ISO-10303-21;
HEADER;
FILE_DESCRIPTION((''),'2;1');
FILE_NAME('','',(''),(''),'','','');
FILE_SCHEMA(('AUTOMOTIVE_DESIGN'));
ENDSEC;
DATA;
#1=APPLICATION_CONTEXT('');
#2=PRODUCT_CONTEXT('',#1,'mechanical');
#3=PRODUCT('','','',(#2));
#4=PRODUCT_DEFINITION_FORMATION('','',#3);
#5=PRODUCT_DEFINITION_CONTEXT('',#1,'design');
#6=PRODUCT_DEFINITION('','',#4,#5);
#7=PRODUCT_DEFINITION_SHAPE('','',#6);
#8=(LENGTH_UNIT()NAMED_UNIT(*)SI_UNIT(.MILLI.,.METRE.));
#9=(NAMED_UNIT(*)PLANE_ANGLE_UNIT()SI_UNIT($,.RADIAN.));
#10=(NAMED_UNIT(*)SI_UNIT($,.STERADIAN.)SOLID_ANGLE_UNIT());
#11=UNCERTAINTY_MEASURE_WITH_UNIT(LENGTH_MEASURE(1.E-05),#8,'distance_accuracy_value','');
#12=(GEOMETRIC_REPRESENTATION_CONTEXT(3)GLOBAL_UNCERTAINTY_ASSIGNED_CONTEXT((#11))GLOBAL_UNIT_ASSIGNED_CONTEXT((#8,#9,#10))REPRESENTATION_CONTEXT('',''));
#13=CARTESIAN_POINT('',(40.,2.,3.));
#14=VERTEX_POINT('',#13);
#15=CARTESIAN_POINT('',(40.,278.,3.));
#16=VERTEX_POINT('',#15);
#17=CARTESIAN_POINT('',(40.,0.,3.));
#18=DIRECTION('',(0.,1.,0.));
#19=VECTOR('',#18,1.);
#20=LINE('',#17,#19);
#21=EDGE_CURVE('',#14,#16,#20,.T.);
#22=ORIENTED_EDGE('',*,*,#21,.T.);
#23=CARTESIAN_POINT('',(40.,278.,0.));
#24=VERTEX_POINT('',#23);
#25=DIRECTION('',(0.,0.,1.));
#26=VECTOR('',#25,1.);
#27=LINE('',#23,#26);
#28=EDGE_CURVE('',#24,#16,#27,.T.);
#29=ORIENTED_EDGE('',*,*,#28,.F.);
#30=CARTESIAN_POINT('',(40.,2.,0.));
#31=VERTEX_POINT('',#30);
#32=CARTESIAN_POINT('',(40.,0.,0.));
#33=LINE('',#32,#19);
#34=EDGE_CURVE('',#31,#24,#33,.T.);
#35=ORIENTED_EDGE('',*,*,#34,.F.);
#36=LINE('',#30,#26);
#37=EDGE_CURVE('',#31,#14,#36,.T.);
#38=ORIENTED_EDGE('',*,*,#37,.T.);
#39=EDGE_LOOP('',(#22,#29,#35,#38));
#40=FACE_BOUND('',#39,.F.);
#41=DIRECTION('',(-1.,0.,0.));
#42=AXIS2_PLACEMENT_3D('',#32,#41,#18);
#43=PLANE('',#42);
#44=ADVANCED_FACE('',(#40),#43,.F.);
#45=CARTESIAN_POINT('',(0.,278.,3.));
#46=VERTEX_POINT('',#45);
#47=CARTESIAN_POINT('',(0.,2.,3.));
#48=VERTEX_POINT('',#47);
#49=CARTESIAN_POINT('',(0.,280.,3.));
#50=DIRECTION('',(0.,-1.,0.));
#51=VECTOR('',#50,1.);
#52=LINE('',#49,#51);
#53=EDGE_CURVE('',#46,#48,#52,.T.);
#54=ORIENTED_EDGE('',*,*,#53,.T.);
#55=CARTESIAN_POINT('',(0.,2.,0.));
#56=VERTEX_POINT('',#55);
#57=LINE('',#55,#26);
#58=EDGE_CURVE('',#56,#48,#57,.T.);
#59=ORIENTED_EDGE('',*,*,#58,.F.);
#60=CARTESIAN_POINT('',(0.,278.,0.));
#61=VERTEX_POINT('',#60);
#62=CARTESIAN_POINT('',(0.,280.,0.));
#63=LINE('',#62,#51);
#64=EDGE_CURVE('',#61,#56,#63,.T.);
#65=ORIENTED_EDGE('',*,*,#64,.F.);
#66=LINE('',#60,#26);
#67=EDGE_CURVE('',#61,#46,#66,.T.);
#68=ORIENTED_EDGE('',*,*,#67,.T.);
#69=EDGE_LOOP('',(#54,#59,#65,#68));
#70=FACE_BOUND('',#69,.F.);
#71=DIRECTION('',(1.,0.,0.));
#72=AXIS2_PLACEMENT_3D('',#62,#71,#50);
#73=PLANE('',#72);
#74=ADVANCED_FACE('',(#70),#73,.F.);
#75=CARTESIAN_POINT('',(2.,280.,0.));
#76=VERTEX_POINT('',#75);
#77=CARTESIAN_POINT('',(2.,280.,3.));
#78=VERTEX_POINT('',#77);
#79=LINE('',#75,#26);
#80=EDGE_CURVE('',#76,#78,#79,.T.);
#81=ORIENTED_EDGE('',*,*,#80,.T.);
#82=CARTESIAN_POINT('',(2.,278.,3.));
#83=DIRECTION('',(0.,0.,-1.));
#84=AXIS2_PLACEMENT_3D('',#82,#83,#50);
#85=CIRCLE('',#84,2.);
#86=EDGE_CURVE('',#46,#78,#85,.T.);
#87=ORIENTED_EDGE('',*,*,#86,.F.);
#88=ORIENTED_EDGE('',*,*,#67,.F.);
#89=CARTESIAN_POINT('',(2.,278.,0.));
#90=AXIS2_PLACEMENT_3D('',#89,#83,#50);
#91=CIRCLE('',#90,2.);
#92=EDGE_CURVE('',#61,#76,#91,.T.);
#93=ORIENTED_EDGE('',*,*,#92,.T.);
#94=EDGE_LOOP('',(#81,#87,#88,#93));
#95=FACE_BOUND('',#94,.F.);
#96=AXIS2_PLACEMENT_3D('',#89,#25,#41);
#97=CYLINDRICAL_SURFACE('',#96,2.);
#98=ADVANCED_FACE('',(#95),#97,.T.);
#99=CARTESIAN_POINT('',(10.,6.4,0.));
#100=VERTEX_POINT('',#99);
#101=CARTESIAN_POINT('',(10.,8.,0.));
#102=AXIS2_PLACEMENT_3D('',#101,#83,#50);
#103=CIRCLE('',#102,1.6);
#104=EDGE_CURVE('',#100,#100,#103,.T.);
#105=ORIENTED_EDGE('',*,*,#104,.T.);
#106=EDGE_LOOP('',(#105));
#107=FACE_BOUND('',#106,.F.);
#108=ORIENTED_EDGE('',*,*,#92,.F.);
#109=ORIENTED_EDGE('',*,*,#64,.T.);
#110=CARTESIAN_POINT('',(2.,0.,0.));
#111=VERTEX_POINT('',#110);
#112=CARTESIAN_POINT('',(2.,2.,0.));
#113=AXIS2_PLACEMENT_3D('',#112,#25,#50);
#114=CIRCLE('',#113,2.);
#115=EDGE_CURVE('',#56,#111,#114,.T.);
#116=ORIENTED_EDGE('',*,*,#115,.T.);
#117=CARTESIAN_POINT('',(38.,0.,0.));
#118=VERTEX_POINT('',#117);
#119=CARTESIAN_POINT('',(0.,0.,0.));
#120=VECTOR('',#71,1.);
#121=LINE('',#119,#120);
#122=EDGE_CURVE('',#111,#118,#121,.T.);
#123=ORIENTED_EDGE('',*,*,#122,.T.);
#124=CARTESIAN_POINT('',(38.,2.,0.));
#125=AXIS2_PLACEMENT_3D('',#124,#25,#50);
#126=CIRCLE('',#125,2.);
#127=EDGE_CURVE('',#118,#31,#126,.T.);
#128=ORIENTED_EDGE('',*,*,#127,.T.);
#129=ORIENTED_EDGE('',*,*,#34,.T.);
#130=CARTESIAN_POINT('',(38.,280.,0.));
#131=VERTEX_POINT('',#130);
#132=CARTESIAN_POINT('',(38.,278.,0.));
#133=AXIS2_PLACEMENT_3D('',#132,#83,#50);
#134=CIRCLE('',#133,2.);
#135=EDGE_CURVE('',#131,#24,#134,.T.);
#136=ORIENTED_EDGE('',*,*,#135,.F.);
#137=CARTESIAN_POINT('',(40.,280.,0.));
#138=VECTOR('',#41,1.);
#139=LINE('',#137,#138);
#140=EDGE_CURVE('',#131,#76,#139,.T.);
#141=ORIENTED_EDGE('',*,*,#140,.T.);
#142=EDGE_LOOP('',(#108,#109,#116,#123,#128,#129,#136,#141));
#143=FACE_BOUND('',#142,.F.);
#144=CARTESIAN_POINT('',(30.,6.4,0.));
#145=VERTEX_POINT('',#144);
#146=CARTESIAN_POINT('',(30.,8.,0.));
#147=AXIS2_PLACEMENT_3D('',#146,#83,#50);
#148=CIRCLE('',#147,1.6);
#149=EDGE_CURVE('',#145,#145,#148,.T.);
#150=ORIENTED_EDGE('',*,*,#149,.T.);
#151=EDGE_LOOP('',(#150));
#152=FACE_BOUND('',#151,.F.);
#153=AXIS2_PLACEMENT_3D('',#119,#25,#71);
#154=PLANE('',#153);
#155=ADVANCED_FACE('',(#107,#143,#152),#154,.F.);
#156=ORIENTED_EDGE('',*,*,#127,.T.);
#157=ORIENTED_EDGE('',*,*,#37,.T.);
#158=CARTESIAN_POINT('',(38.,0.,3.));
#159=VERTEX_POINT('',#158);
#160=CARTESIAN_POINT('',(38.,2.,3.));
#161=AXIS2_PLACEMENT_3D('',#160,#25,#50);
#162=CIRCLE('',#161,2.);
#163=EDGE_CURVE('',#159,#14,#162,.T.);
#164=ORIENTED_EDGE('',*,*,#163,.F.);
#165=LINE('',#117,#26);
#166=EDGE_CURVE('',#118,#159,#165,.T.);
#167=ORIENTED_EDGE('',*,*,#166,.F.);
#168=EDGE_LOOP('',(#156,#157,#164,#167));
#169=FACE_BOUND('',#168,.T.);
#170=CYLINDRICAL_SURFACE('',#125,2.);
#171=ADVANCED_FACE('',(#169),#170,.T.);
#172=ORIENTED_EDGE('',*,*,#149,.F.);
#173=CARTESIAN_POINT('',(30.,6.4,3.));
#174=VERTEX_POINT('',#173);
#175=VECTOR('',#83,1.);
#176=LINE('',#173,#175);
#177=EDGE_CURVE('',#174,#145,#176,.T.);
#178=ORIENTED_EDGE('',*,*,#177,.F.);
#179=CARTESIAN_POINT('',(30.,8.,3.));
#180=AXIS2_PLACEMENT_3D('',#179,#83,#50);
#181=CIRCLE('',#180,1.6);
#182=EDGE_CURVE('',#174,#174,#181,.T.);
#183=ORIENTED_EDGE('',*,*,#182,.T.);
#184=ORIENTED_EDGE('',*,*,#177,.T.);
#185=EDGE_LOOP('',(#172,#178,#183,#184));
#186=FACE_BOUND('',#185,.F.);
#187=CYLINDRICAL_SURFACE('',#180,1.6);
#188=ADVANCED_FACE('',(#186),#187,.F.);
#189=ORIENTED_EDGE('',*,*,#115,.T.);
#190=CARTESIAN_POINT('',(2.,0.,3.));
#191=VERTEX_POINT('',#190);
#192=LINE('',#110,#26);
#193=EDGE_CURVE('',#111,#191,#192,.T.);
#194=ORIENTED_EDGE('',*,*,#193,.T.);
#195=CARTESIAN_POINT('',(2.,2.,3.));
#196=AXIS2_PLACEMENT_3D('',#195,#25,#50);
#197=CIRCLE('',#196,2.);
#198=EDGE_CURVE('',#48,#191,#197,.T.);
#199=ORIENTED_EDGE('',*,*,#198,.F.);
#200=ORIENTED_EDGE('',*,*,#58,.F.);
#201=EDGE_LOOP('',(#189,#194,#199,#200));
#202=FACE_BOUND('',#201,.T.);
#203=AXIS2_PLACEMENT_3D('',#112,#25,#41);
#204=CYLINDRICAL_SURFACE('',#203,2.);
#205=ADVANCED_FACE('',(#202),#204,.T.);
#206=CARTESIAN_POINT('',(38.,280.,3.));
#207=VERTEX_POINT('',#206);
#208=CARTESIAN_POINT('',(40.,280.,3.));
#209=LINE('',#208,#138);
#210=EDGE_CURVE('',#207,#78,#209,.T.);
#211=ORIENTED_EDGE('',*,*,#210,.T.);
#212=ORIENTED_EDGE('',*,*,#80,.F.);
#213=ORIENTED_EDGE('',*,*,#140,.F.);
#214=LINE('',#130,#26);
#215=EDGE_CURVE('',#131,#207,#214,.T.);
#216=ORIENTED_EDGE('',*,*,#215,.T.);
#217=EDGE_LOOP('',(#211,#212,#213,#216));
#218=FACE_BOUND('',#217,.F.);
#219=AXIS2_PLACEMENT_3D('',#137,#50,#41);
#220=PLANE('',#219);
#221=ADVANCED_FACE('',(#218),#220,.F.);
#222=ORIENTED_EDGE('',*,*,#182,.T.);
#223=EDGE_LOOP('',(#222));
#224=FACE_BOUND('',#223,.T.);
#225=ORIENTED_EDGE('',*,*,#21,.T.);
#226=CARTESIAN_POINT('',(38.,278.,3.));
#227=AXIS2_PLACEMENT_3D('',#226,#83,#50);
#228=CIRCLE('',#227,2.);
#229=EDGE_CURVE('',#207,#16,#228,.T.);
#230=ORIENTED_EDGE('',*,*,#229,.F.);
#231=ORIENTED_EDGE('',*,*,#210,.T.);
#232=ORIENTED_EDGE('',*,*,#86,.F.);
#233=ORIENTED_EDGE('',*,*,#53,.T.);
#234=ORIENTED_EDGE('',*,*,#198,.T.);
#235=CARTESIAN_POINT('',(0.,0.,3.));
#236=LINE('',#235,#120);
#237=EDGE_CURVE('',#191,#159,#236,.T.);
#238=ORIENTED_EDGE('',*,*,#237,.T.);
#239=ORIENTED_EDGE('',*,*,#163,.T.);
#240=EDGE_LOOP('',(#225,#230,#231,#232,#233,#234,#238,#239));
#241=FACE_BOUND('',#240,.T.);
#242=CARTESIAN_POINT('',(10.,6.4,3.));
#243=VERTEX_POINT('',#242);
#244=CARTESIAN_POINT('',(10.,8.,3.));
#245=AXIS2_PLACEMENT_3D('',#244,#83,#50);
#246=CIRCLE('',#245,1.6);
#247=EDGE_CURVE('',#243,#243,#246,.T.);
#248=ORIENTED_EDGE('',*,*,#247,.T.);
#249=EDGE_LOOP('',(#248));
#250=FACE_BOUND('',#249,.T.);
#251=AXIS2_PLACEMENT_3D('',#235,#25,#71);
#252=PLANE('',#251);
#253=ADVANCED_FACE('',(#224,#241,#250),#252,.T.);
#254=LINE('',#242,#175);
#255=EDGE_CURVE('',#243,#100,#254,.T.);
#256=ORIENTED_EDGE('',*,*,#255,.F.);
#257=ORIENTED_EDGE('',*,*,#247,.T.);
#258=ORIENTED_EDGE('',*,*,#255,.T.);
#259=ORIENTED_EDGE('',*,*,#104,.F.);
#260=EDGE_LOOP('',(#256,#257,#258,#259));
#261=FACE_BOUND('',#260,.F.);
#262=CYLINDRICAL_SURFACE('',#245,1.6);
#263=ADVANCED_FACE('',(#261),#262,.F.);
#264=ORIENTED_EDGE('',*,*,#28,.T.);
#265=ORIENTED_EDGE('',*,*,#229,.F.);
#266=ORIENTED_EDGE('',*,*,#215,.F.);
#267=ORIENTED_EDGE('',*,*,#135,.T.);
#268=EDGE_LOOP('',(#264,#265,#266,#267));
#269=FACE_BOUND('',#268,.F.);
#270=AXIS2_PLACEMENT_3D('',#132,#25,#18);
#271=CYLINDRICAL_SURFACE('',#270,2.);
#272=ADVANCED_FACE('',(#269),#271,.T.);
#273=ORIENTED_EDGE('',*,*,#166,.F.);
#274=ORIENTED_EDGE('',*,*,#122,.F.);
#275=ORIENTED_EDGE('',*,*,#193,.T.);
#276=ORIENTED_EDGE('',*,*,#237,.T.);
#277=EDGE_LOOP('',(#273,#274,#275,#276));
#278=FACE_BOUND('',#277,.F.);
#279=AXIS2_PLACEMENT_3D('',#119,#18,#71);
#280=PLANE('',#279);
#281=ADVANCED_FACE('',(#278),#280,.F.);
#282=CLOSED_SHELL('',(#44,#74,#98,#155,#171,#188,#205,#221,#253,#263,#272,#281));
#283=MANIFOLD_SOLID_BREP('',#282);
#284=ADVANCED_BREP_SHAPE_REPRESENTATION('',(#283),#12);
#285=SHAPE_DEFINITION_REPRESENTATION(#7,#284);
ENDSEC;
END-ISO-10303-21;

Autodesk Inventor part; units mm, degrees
ref_plane "YZ Plane" through (0, 0, 0) normal (1, 0, 0) x (0, 1, 0)
ref_plane "XZ Plane" through (0, 0, 0) normal (0, 1, 0) x (-1, 0, 0)
ref_plane "XY Plane" through (0, 0, 0) normal (0, 0, 1) x (1, 0, 0)
sketch "スケッチ1" plane through (0, 0, 0) normal (0, 0, 1) x (1, 0, 0)
  line L0 (0, 0) -> (40, 0)
  line L1 (40, 0) -> (40, 280)
  line L2 (40, 280) -> (0, 280)
  line L3 (0, 280) -> (0, 0)
  dimension "d0" = 40
  dimension "d1" = 280
extrude "押し出し1" add sketch "スケッチ1" along normal blind 3
sketch "スケッチ2" plane through (0, 0, 3) normal (0, 0, 1) x (1, 0, 0)
  line L0 (0, 280) -> (0, 0) projected
  line L1 (0, 0) -> (40, 0) projected
  point P0 (10, 8)
  point P1 (30, 8)
  point P2 (20, 0)
  dimension "d4" = 20
  dimension "d5" = 10
  dimension "d6" = 8
hole "穴1" at (10, 8, 3) at (30, 8, 3) direction (0, 0, -1) diameter 3.2 end through all
fillet "フィレット1" radius 2 4 edges at (0, 0, 1.5) (40, 0, 1.5) (0, 280, 1.5) (40, 280, 1.5)
properties part number "BP_BOX-Support-Bar-Front"
